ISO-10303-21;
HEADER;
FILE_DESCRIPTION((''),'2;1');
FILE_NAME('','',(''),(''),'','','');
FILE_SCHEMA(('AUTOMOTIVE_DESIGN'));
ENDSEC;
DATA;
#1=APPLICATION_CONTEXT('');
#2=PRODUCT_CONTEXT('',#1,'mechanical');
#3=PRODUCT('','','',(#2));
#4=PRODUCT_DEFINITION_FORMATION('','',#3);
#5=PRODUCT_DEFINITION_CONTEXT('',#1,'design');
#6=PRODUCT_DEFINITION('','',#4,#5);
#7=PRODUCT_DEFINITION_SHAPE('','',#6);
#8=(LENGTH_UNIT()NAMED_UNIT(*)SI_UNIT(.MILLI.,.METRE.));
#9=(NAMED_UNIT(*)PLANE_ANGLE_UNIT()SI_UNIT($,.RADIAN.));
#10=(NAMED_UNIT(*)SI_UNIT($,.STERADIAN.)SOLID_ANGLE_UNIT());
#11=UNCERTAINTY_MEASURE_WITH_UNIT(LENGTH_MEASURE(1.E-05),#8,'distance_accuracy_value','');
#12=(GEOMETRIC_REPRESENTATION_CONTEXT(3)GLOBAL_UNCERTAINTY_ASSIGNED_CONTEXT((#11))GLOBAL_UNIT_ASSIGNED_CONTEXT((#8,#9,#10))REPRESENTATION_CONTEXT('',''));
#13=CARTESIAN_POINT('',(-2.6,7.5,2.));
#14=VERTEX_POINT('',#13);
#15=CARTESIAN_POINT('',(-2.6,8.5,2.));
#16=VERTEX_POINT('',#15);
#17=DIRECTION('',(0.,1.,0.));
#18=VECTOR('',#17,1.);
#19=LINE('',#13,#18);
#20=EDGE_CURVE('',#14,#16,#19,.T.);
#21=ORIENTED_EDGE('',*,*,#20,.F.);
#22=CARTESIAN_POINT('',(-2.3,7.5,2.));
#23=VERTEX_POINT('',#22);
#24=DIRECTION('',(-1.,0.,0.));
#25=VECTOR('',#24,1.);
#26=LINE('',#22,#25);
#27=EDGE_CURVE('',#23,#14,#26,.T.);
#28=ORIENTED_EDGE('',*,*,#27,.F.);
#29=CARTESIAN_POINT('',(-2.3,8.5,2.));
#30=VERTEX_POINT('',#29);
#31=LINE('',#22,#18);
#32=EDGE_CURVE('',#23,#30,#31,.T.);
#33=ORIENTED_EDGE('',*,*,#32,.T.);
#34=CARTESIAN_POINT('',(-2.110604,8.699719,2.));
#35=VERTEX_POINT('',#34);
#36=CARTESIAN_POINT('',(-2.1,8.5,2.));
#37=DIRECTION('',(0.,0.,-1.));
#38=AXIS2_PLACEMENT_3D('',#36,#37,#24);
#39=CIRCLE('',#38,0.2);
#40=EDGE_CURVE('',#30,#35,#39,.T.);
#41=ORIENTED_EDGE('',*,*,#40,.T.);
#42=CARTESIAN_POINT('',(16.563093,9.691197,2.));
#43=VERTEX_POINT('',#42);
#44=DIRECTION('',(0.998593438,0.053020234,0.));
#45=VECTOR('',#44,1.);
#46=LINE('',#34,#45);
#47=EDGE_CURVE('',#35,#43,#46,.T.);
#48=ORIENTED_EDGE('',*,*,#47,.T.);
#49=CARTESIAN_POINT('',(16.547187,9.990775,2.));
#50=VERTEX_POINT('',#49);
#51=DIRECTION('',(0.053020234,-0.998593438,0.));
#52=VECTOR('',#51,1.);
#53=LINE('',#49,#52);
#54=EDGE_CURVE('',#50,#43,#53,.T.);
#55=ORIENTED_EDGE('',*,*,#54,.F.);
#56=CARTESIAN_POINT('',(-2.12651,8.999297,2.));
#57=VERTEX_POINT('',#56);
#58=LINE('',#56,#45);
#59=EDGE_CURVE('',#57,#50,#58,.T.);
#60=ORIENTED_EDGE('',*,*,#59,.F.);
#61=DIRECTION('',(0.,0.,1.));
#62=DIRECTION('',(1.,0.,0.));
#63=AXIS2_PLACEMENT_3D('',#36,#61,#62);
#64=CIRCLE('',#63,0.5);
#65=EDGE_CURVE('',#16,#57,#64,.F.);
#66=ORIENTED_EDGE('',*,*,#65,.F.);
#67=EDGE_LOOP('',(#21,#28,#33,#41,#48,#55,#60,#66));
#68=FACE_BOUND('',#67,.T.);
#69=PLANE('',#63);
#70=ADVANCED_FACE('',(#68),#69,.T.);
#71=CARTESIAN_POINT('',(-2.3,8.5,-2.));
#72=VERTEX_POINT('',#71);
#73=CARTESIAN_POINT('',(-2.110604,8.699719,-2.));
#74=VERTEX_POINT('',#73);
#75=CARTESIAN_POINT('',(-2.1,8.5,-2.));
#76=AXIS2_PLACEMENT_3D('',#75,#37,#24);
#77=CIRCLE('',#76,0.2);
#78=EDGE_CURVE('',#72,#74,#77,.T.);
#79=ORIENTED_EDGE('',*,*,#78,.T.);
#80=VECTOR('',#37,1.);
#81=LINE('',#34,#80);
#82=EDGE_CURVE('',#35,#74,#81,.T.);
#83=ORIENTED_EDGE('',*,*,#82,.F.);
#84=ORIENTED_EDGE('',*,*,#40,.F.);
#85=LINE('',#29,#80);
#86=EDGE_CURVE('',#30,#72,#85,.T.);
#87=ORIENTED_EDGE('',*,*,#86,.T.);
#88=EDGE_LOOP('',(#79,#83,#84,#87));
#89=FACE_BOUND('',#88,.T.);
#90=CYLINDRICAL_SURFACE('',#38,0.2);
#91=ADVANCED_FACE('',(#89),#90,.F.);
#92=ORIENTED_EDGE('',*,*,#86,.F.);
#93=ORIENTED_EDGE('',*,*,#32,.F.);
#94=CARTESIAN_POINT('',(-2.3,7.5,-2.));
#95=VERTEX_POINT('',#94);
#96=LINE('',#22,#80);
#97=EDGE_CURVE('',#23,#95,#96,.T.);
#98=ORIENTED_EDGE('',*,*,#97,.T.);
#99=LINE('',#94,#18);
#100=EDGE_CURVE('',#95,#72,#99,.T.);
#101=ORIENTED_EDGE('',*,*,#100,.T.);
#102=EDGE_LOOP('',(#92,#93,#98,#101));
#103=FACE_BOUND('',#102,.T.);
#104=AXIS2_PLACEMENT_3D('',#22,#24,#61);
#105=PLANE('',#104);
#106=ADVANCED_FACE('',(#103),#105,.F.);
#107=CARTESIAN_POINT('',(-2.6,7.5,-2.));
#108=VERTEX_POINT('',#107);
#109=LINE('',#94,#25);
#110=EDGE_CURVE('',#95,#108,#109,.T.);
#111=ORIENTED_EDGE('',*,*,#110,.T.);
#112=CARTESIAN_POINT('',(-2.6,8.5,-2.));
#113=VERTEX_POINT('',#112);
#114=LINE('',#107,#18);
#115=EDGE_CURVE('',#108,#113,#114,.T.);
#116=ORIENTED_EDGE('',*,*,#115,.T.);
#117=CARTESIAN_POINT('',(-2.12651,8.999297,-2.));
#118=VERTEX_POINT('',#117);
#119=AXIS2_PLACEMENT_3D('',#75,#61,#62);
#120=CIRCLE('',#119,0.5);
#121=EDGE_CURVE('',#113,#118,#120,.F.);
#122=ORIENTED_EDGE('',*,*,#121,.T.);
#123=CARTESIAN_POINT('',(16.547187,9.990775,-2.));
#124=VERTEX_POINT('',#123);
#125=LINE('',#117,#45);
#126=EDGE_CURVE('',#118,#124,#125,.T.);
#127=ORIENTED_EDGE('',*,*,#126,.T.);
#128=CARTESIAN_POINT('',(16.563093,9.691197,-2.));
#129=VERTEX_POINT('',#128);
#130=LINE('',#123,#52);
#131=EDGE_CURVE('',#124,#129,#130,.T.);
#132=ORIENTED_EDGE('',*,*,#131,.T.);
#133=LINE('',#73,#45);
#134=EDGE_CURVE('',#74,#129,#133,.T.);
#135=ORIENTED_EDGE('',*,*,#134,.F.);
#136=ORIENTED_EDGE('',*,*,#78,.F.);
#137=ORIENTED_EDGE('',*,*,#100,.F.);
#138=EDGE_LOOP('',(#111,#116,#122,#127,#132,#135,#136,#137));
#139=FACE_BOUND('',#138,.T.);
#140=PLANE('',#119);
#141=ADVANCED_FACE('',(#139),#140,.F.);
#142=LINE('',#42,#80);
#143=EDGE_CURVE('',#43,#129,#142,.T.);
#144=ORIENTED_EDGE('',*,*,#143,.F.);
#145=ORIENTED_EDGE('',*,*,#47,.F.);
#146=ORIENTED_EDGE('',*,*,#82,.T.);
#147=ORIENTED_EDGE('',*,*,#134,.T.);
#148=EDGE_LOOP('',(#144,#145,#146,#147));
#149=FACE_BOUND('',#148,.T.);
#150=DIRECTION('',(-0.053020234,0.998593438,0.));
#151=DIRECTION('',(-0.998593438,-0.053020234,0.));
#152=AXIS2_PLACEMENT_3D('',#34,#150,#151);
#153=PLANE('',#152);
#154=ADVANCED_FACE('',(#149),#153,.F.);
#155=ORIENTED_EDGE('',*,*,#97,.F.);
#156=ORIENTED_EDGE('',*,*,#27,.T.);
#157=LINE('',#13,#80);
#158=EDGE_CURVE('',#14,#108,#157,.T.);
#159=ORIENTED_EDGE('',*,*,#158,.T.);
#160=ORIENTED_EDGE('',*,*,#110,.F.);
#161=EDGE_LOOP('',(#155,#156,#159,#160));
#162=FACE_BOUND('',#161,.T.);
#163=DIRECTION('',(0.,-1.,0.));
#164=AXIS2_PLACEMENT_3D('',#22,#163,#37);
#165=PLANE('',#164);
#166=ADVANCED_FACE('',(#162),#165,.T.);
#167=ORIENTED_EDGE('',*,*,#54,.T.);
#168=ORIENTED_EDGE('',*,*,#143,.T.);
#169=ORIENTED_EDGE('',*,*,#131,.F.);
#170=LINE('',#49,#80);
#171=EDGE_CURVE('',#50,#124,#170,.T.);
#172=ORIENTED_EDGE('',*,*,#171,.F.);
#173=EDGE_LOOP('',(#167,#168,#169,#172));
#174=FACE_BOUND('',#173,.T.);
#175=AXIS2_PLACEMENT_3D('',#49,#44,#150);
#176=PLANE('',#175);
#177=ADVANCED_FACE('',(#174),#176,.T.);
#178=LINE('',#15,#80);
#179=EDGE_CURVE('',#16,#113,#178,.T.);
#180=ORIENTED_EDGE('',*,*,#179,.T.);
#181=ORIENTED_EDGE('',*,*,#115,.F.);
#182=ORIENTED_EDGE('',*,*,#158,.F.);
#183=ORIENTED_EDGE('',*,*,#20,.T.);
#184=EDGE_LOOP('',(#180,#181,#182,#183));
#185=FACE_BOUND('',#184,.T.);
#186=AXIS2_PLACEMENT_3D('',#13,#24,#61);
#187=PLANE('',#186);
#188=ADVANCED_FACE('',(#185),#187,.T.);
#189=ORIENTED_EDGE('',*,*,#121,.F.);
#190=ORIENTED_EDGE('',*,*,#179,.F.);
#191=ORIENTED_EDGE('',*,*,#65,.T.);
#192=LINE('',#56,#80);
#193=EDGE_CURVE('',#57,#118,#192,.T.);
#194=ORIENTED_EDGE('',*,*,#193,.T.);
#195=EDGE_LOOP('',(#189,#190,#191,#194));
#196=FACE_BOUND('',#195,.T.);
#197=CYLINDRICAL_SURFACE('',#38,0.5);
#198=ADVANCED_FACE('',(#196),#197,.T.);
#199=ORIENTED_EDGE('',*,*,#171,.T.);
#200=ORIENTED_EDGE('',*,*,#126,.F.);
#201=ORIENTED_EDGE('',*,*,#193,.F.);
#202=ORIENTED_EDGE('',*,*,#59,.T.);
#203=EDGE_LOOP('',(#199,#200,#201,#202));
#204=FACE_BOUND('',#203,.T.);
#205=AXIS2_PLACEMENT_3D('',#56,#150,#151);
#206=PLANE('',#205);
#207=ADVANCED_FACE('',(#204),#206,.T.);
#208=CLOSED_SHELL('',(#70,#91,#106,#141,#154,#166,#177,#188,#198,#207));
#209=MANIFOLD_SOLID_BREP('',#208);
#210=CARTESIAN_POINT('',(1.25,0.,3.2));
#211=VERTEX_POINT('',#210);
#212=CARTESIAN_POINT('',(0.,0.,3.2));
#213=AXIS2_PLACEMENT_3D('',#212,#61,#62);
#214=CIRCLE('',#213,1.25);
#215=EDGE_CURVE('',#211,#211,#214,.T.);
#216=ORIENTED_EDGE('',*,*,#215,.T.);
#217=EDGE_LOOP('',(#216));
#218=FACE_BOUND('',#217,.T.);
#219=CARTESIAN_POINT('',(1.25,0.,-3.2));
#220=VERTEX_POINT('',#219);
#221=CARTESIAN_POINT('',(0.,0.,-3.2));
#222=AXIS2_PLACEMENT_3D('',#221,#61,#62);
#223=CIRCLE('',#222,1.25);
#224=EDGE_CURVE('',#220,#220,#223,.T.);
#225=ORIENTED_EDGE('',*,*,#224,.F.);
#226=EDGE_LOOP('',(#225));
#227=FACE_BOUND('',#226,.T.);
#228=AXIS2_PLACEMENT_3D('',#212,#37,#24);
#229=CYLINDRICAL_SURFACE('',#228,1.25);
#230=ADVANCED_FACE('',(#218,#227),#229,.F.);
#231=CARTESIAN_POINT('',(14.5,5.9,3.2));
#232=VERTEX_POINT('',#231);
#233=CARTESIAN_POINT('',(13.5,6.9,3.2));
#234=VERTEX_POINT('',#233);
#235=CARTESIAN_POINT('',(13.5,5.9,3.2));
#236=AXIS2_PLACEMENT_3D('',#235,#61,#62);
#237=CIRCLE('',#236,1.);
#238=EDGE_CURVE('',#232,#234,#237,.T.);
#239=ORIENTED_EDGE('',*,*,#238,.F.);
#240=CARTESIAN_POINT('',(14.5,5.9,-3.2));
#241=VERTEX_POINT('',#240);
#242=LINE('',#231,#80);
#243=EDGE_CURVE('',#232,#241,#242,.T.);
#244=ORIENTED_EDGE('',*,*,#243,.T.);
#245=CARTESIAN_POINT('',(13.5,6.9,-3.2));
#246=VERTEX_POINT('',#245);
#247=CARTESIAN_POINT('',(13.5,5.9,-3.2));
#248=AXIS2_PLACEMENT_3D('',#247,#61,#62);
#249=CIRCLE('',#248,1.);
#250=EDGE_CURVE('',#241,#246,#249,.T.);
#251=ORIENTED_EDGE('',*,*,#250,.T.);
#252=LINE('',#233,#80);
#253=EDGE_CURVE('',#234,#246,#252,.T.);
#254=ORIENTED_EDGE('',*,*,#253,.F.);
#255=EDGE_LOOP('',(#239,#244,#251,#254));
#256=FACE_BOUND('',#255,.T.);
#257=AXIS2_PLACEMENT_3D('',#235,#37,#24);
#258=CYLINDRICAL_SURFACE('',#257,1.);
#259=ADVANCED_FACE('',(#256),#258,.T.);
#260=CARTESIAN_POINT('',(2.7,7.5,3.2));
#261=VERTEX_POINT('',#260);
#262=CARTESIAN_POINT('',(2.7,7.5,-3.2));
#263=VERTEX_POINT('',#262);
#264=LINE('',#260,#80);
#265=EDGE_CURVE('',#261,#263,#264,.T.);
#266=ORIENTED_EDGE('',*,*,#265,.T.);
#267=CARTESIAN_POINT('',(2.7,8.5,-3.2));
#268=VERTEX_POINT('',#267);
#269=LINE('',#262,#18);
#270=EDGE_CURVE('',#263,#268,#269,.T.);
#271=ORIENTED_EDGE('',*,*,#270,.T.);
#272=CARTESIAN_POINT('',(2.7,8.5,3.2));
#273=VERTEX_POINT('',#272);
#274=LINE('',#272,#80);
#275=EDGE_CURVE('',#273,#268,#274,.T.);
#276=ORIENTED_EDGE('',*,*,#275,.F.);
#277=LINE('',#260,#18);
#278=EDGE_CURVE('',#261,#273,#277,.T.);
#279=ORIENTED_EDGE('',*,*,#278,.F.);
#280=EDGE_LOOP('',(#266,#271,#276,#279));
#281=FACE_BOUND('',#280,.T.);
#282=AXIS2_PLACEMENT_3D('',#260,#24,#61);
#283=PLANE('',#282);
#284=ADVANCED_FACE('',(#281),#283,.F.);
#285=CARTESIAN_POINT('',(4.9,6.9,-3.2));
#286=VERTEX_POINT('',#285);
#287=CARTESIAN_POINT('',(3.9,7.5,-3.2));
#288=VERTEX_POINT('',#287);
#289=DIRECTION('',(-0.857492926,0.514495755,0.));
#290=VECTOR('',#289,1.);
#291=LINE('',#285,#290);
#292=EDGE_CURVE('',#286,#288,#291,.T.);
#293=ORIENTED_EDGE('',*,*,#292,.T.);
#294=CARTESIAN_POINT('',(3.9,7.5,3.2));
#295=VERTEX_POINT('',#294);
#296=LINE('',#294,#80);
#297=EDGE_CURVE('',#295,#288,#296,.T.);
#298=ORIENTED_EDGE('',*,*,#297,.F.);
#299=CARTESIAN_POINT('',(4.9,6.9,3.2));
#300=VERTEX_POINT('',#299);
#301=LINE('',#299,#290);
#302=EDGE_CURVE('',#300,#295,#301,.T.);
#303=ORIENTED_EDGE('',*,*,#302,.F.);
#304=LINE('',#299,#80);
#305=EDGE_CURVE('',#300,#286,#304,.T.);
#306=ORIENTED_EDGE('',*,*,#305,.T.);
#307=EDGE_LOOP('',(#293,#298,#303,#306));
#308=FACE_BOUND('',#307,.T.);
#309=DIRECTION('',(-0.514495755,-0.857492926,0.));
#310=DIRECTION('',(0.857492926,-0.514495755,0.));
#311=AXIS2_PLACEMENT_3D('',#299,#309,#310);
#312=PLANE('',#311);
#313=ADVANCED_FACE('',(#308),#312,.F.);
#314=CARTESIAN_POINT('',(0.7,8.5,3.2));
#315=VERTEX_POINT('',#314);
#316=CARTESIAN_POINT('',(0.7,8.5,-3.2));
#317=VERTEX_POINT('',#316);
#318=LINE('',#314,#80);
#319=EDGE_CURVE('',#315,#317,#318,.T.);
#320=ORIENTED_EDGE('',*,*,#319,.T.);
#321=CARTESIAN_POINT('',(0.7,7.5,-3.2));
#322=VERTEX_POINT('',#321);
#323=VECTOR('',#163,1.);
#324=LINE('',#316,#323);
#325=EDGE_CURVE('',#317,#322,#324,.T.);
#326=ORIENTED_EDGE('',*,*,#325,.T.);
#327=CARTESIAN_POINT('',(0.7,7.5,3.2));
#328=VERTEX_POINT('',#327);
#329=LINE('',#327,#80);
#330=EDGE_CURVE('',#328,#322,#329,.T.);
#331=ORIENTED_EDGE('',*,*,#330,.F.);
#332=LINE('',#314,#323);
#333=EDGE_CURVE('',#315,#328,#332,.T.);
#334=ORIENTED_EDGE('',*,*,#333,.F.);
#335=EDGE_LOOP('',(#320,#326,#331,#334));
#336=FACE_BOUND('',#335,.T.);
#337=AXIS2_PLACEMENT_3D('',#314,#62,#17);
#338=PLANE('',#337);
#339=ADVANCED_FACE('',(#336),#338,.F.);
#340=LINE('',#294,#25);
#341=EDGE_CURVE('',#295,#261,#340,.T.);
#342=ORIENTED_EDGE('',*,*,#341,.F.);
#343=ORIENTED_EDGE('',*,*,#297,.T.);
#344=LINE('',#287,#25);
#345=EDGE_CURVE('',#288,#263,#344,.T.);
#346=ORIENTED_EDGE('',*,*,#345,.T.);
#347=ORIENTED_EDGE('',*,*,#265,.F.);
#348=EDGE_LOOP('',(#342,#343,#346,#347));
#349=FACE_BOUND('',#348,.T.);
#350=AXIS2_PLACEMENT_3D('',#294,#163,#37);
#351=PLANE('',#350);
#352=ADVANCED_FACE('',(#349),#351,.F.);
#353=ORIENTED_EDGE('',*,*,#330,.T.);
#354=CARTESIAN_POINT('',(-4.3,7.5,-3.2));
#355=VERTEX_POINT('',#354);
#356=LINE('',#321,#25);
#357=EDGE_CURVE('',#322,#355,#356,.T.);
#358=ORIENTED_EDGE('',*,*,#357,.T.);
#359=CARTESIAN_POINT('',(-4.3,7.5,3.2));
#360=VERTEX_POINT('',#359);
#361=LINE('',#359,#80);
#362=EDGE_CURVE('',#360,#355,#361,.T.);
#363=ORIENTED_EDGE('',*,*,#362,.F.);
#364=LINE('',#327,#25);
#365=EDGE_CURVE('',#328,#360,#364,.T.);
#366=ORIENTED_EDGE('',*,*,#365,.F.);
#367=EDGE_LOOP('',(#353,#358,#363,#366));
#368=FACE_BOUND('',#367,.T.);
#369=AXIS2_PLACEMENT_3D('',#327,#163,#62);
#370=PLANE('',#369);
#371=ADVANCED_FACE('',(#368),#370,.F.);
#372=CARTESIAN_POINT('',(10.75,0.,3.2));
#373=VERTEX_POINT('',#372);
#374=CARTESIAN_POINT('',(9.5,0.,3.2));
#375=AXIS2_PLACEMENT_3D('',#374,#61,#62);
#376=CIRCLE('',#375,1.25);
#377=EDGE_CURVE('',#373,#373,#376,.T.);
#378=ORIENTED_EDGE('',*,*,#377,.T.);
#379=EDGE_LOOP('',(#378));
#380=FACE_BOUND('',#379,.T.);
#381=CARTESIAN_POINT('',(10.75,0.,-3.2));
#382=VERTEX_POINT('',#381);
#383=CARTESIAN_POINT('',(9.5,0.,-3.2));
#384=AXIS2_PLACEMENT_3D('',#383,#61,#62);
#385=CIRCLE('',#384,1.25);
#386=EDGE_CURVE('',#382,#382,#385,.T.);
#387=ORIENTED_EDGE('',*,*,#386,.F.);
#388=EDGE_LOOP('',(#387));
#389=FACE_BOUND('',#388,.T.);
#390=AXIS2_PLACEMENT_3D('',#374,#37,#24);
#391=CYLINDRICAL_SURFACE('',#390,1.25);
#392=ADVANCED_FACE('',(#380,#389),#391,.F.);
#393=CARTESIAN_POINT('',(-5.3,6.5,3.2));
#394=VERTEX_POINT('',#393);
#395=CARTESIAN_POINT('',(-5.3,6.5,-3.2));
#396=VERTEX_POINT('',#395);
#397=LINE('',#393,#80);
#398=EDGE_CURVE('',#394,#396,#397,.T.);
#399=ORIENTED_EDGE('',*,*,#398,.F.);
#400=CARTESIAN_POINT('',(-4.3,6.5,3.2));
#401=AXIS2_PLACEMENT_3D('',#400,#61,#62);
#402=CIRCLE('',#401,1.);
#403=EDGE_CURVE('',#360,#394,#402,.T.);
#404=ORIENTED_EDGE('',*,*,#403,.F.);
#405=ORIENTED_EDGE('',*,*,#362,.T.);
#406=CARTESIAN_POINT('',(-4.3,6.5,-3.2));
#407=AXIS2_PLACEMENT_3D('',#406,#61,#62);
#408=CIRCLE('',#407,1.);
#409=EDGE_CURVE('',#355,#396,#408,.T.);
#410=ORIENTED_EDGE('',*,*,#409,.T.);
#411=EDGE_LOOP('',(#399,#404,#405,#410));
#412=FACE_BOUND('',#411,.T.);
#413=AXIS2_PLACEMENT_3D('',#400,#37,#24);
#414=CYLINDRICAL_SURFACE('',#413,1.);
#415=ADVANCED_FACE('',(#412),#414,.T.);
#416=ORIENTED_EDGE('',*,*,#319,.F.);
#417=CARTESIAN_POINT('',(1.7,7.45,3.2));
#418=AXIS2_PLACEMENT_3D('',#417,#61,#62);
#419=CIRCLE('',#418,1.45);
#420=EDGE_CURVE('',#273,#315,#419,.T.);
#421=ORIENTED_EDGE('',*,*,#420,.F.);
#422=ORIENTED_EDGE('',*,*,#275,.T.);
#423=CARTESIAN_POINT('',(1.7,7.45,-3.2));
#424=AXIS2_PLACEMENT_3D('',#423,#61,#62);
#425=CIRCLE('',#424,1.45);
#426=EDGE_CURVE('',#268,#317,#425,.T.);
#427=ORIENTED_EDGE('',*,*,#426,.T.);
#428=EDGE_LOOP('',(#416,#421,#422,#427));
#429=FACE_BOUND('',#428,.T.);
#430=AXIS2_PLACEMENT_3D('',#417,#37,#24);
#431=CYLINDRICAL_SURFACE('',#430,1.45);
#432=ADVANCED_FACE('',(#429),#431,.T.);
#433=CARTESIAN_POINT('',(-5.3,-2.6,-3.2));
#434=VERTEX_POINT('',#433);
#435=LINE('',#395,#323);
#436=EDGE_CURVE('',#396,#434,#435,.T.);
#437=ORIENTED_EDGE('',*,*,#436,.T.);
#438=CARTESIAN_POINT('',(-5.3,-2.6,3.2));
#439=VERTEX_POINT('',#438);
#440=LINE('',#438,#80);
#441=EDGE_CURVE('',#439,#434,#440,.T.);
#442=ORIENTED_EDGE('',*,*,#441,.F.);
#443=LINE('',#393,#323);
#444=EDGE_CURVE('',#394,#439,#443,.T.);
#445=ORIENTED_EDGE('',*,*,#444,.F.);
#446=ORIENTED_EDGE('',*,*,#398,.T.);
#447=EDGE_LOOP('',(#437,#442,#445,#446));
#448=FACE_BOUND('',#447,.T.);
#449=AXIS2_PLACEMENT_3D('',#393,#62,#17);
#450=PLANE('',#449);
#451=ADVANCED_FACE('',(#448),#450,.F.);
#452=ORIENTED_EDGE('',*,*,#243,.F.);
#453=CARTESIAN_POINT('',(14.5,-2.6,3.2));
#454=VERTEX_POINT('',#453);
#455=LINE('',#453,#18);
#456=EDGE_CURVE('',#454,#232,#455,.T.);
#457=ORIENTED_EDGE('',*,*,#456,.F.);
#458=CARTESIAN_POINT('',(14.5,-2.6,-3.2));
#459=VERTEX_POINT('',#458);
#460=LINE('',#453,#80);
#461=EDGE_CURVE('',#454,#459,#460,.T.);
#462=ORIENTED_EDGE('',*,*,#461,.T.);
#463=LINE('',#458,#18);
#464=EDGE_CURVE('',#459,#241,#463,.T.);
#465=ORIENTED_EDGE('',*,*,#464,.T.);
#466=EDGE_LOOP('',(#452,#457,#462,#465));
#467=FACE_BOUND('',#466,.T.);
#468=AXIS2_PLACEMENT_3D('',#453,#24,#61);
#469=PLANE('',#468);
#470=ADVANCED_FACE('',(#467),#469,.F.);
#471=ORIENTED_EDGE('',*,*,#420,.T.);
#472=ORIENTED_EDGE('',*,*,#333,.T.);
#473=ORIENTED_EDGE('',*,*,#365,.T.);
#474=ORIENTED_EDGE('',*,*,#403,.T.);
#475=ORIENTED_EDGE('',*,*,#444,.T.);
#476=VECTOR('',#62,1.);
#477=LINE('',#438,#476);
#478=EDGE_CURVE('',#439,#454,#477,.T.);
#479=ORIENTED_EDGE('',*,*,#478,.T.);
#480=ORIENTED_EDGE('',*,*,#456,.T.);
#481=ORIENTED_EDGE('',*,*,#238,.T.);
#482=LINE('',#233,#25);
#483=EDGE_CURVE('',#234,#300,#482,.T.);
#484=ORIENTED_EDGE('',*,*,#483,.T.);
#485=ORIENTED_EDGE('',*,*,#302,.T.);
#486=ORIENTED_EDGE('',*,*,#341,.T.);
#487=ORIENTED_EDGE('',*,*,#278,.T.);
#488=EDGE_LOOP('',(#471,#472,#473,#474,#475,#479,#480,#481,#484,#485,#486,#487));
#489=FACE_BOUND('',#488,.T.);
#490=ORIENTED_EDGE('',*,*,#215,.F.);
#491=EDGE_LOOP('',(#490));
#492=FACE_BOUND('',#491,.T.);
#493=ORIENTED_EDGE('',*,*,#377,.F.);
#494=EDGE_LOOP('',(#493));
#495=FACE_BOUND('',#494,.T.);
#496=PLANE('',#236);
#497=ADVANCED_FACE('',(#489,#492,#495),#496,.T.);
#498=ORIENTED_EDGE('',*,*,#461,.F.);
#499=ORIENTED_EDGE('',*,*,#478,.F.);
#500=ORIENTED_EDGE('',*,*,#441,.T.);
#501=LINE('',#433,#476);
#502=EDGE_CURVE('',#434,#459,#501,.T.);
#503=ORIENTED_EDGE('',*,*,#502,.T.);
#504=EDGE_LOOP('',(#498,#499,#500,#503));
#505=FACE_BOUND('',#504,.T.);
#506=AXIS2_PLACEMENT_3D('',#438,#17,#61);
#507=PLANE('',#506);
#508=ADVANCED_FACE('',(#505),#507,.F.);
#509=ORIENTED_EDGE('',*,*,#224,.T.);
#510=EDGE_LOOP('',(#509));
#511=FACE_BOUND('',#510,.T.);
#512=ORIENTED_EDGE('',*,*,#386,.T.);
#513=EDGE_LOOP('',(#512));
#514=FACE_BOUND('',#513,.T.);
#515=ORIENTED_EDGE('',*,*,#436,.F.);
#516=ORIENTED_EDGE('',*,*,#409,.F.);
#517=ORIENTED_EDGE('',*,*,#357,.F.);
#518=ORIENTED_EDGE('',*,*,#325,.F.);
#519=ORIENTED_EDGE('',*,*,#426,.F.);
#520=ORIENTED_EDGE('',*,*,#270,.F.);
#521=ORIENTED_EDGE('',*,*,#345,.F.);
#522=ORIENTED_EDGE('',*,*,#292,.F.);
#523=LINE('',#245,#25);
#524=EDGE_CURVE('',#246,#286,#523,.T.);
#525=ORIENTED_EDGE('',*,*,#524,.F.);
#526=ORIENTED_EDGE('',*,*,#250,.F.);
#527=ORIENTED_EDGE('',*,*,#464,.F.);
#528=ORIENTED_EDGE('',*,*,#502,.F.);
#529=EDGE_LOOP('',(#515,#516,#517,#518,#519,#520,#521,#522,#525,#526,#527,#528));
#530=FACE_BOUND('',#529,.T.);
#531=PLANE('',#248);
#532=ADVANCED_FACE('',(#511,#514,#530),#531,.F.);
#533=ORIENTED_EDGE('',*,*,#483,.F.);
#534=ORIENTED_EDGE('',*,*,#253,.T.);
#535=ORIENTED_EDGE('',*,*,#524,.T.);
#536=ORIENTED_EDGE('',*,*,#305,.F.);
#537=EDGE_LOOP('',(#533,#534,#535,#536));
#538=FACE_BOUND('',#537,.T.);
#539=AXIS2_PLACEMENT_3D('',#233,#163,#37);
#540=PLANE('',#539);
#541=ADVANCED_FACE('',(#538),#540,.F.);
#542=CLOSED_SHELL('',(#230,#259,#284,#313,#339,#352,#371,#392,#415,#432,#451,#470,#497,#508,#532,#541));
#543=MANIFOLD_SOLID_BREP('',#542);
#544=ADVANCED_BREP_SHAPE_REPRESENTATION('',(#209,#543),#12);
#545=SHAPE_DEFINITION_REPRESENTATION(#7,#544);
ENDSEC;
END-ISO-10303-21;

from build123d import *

# Parameters (mm, degrees)
SKETCH1_R           = 1.25
BOSS_EXTRUDE1_DEPTH = 3.2
EXTRUDE_THIN2_DEPTH = 2


with BuildPart() as part:
    # Sketch1 → Boss-Extrude1 (new, symmetric)
    with BuildSketch(Plane.XY):
        with BuildLine():
            Line((-5.3, -2.6), (14.5, -2.6))
            Line((14.5, -2.6), (14.5, 5.9))
            ThreePointArc((14.5, 5.9), (14.207106781, 6.607106781), (13.5, 6.9))
            Line((13.5, 6.9), (4.9, 6.9))
            Line((4.9, 6.9), (3.9, 7.5))
            Line((3.9, 7.5), (2.7, 7.5))
            Line((2.7, 7.5), (2.7, 8.5))
            ThreePointArc((2.7, 8.5), (1.7, 8.9), (0.7, 8.5))
            Line((0.7, 8.5), (0.7, 7.5))
            Line((0.7, 7.5), (-4.3, 7.5))
            ThreePointArc((-4.3, 7.5), (-5.007106781, 7.207106781), (-5.3, 6.5))
            Line((-5.3, 6.5), (-5.3, -2.6))
        make_face()
        Circle(SKETCH1_R, mode=Mode.SUBTRACT)
        with Locations((9.5, 0)):
            Circle(SKETCH1_R, mode=Mode.SUBTRACT)
    extrude(amount=BOSS_EXTRUDE1_DEPTH, both=True)


with BuildPart() as body_2:
    # Sketch2 → Extrude-Thin2 (new, symmetric)
    with BuildSketch(Plane.XY):
        with BuildLine():
            Line((-2.3, 7.5), (-2.3, 8.5))
            ThreePointArc((-2.3, 8.5), (-2.245122034, 8.637621202), (-2.110604047, 8.699718688))
            Line((-2.110604047, 8.699718688), (16.563093247, 9.691197067))
            Line((16.563093247, 9.691197067), (16.547187177, 9.990775098))
            Line((16.547187177, 9.990775098), (-2.126510117, 8.999296719))
            ThreePointArc((-2.126510117, 8.999296719), (-2.462805084, 8.844053006), (-2.6, 8.5))
            Line((-2.6, 8.5), (-2.6, 7.5))
            Line((-2.6, 7.5), (-2.3, 7.5))
        make_face()
    extrude(amount=EXTRUDE_THIN2_DEPTH, both=True)


solid = Compound([part.part, body_2.part])
